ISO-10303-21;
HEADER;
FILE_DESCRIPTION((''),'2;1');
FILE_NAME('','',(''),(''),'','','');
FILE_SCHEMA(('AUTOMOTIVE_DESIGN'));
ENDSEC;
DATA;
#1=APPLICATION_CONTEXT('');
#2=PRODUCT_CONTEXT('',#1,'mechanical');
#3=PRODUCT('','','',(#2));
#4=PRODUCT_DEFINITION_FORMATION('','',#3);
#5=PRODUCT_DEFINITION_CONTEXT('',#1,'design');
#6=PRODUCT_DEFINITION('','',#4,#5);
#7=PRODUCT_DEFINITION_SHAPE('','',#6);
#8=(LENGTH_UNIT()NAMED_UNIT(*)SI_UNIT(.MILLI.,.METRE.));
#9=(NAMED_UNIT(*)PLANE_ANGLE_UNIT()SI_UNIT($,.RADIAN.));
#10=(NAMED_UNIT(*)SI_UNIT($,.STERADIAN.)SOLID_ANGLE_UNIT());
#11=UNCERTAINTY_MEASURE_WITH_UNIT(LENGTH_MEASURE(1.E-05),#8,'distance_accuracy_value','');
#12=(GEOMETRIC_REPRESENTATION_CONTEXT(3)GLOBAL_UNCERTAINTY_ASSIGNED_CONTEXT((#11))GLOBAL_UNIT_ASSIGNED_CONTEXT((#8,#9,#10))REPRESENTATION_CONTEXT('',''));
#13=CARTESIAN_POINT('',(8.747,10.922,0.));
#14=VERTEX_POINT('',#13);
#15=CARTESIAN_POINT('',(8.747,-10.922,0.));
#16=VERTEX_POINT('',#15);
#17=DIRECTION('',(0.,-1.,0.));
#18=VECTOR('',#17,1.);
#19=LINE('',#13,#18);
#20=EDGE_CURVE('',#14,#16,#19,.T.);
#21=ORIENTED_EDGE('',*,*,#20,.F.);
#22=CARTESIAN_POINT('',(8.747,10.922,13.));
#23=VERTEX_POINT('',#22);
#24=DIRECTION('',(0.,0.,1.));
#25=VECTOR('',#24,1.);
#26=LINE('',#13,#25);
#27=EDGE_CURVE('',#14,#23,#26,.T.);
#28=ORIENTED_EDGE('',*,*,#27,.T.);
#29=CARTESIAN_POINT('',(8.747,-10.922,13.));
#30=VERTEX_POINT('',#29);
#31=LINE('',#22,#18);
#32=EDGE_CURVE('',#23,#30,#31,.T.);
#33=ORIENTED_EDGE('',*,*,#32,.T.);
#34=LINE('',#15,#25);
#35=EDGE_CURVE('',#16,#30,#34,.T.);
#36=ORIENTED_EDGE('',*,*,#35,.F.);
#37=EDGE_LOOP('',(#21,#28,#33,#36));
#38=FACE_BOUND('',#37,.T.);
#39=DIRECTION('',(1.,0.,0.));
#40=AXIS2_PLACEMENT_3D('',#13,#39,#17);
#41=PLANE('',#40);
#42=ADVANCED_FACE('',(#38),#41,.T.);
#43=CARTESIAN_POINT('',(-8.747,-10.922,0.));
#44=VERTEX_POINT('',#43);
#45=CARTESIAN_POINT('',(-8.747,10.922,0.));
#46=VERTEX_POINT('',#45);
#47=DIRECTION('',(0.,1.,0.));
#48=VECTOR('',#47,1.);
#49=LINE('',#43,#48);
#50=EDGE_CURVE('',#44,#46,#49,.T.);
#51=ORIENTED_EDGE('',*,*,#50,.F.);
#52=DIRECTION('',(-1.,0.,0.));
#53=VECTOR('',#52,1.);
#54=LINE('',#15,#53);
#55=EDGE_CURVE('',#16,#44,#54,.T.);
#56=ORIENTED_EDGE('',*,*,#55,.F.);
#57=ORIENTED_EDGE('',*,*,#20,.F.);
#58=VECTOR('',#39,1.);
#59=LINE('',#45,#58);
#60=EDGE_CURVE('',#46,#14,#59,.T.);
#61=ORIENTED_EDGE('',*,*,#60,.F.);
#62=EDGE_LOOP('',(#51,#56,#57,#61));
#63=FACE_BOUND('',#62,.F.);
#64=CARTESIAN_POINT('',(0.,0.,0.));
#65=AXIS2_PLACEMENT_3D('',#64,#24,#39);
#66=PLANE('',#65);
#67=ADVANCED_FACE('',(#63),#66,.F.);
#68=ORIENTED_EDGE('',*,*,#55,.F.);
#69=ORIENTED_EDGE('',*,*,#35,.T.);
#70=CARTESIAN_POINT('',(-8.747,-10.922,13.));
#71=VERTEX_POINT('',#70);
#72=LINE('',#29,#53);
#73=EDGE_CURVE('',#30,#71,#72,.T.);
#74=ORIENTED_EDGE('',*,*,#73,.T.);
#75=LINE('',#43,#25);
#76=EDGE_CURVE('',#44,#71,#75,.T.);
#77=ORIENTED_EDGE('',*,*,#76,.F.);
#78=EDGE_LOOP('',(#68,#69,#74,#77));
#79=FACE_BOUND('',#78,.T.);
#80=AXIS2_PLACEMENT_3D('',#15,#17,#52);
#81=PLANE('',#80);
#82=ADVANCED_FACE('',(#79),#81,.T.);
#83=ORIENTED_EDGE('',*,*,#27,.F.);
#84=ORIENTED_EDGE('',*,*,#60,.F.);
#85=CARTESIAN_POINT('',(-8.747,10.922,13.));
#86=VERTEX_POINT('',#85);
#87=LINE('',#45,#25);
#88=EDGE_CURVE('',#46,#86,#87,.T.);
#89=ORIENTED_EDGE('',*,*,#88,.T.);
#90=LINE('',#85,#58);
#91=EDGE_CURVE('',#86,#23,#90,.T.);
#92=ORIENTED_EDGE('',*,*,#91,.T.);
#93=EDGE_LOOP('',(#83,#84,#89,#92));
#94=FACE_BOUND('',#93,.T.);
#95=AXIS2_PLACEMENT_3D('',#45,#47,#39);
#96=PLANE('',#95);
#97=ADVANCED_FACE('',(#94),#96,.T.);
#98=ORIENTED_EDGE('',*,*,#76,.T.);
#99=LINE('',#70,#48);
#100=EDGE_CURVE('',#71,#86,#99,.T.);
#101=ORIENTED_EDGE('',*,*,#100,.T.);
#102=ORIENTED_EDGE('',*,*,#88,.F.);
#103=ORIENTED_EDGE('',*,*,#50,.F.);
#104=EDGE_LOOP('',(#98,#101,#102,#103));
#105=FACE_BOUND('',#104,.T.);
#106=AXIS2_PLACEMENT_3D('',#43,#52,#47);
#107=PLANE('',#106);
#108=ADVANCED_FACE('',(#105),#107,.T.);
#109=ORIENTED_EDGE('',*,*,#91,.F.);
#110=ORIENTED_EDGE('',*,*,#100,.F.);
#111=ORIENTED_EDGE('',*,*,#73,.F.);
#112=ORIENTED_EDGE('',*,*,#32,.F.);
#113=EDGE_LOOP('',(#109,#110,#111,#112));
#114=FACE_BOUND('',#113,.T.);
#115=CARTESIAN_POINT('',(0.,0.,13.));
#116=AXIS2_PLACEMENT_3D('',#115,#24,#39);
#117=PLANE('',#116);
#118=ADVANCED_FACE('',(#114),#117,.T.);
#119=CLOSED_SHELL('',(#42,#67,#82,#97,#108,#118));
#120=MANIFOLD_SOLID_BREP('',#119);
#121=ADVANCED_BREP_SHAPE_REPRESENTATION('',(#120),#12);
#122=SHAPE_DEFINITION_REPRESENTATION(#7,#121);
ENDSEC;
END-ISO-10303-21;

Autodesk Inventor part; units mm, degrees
ref_plane "YZ Plane" through (0, 0, 0) normal (1, 0, 0) x (0, 1, 0)
ref_plane "XZ Plane" through (0, 0, 0) normal (0, 1, 0) x (-1, 0, 0)
ref_plane "XY Plane" through (0, 0, 0) normal (0, 0, 1) x (1, 0, 0)
sketch "MAGJACKRJ45, MAGJACK_RJ45_68" plane through (0, 0, 0) normal (0, 0, 1) x (1, 0, 0)
  line L0 (-8.747, -10.922) -> (-8.747, 10.922)
  line L1 (-8.747, 10.922) -> (8.747, 10.922)
  line L2 (8.747, 10.922) -> (8.747, -10.922)
  line L3 (8.747, -10.922) -> (-8.747, -10.922)
extrude "Extrusion1" add sketch "MAGJACKRJ45, MAGJACK_RJ45_68" along normal blind 13
properties part number "MAGJACK_RJ45"
